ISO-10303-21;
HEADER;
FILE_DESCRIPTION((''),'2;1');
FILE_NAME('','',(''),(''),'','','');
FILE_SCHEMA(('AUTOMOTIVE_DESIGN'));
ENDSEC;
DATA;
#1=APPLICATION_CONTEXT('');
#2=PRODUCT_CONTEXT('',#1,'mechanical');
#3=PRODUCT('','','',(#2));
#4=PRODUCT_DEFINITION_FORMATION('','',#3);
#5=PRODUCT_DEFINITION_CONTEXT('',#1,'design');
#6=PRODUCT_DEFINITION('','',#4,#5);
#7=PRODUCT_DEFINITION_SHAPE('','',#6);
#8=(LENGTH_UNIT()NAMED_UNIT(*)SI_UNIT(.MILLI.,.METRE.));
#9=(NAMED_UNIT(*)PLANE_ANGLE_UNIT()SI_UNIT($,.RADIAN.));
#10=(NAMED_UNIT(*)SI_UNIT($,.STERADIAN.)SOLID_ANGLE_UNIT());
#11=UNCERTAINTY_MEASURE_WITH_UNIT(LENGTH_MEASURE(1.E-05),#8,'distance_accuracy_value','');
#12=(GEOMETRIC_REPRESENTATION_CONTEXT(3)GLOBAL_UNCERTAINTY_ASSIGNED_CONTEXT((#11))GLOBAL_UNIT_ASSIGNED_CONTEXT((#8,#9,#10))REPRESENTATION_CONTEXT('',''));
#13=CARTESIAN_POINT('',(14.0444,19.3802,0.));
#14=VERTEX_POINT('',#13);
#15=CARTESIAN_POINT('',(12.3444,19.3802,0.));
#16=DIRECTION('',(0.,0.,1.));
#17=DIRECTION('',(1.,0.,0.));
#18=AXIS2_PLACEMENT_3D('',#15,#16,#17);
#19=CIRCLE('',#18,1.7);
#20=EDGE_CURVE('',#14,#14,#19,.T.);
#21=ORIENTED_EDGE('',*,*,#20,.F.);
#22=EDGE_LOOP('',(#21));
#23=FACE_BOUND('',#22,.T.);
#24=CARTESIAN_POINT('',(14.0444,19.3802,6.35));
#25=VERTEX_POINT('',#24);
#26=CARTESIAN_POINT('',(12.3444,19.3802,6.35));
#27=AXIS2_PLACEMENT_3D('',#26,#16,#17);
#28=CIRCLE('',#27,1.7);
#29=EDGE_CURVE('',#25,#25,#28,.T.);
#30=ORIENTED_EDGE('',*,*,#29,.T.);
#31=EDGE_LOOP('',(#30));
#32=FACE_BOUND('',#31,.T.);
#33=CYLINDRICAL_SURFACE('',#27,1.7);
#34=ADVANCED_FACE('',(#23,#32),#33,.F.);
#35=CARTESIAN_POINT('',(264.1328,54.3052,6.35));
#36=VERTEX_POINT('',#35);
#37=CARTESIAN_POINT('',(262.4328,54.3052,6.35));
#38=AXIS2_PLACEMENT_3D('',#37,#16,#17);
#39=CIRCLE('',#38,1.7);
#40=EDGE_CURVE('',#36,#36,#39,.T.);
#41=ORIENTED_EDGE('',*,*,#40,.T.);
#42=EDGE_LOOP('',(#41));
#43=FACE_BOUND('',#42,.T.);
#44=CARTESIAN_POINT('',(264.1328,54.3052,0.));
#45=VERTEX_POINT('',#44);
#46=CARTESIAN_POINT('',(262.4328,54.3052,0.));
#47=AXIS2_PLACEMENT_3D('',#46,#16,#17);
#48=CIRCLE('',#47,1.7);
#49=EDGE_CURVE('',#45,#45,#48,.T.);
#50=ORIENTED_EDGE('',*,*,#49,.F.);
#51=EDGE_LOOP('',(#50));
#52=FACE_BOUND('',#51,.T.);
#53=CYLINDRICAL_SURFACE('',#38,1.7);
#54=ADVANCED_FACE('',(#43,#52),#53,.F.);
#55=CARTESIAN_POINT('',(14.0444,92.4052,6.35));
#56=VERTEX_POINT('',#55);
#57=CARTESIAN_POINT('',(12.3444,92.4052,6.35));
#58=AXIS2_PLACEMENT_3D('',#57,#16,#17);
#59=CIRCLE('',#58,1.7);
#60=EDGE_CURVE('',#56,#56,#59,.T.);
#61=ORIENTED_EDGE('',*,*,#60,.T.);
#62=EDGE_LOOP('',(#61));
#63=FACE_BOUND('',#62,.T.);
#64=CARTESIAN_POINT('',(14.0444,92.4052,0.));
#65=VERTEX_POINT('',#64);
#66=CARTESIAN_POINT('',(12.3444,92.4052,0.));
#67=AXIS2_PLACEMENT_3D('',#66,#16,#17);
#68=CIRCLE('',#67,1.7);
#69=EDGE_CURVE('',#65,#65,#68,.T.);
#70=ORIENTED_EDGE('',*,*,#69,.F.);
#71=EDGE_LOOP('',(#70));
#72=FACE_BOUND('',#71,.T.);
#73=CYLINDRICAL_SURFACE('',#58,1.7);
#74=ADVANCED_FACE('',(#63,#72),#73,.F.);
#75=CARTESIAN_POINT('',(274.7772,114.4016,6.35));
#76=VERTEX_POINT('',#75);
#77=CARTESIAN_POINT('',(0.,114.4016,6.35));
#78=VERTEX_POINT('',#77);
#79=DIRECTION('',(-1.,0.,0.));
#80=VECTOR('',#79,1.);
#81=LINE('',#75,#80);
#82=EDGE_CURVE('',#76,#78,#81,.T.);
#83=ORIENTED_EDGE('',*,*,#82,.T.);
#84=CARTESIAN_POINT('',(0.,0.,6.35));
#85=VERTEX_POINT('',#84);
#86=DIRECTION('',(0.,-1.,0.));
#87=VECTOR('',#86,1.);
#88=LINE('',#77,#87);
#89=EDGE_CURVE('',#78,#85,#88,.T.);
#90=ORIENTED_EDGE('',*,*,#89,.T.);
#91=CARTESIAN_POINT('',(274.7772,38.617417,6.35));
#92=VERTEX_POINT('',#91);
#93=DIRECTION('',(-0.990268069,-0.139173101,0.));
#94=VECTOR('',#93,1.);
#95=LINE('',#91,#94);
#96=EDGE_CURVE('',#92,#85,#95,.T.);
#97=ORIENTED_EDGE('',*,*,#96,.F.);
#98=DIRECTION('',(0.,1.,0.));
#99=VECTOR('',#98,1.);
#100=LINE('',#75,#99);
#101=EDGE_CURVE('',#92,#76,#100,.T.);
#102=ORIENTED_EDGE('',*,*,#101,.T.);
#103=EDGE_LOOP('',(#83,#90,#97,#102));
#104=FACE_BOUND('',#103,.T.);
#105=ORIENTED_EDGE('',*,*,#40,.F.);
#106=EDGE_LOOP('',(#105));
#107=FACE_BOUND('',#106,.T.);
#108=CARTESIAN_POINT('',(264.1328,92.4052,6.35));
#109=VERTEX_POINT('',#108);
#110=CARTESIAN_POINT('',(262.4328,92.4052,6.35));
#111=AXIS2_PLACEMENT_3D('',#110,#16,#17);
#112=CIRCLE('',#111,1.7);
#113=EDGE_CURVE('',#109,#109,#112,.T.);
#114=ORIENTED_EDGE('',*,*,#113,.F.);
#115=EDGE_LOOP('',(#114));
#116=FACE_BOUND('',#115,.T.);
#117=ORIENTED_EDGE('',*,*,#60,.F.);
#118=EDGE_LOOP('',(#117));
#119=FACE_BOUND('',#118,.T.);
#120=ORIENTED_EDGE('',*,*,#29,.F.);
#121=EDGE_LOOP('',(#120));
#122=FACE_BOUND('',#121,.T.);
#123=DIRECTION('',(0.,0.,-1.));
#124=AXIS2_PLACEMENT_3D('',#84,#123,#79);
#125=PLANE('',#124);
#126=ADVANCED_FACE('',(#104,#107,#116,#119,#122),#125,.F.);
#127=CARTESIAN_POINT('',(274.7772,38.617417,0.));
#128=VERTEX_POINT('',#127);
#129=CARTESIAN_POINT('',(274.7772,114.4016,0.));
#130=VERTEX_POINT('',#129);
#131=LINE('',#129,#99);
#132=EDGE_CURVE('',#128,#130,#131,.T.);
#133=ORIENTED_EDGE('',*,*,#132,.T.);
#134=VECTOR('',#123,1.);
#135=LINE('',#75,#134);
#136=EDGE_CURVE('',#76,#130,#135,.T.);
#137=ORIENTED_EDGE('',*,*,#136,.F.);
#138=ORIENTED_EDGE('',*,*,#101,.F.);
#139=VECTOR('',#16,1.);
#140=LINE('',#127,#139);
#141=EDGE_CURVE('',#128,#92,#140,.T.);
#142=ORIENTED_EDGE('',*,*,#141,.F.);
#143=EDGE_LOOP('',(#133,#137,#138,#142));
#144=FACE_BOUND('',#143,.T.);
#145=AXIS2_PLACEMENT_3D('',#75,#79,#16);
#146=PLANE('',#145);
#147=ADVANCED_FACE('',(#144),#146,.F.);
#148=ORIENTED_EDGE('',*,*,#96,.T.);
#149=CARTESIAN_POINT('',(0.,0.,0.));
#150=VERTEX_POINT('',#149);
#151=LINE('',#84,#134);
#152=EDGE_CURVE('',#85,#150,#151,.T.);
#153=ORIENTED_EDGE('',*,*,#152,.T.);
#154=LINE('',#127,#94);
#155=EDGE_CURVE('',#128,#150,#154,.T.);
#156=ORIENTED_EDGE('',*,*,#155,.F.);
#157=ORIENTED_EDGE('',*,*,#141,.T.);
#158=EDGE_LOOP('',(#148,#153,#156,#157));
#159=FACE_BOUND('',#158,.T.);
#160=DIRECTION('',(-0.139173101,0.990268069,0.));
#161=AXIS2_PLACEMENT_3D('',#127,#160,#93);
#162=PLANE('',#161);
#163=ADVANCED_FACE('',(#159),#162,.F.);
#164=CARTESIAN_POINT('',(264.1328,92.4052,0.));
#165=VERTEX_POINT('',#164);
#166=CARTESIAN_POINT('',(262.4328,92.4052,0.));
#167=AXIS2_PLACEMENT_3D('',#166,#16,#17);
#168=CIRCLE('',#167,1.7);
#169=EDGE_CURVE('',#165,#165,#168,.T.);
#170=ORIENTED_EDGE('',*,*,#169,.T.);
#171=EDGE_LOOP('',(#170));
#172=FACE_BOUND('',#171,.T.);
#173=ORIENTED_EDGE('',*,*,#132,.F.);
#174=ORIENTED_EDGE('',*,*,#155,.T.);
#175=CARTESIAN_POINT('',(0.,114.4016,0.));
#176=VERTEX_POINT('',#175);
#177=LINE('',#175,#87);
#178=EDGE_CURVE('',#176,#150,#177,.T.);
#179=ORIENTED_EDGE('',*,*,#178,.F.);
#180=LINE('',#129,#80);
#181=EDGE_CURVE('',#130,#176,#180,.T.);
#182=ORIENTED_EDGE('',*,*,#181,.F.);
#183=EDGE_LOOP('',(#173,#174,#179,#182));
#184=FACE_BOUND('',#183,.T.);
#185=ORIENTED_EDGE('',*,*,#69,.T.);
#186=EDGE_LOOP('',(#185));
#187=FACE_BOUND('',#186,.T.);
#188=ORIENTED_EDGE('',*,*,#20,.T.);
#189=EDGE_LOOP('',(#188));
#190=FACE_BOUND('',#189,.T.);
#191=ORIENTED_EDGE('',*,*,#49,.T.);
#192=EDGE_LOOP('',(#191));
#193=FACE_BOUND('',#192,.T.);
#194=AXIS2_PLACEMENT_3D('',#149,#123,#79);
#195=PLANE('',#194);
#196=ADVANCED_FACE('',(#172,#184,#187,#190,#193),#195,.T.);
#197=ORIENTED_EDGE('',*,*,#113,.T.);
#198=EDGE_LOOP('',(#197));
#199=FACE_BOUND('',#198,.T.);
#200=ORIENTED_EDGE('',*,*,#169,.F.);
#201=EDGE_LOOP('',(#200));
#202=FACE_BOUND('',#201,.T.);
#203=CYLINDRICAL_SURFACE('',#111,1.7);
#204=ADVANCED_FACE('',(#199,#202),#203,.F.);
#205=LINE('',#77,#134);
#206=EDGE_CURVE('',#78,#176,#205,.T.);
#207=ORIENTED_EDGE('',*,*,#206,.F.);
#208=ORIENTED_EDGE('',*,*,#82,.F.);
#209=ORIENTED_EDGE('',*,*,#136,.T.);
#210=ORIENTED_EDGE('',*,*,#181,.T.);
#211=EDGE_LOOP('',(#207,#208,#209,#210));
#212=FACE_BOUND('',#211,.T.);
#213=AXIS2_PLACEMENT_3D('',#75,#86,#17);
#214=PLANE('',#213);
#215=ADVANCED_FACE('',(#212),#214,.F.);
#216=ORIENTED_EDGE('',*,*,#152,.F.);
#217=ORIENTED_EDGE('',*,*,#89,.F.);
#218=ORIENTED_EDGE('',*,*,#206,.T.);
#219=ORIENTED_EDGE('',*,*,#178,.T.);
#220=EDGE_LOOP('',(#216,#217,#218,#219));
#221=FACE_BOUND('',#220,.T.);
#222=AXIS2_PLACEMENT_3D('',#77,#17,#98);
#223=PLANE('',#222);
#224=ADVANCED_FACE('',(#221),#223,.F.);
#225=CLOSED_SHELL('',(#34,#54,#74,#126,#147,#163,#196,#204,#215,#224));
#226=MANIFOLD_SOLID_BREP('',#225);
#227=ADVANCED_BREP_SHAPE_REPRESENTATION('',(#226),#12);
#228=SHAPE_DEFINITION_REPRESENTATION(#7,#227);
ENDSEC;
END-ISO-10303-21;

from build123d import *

# Parameters (mm, degrees)
SKETCH1_W            = 274.7772
SKETCH1_H            = 114.4016
BOSS_EXTRUDE1_DEPTH  = 6.35
M3_CLEARANCE_HOLE1_D = 3.4
CUT_EXTRUDE2_DEPTH   = 298.708848075


with BuildPart() as part:
    # Sketch1 → Boss-Extrude1 (new body)
    with BuildSketch(Plane.XY):
        with Locations((137.3886, 57.2008)):
            Rectangle(SKETCH1_W, SKETCH1_H)
    extrude(amount=BOSS_EXTRUDE1_DEPTH)

    # M3 Clearance Hole1 (through all)
    with Locations(Plane.XY.offset(6.35)):
        with Locations((12.3444, 92.4052), (12.3444, 19.3802), (262.4328, 54.3052), (262.4328, 92.4052)):
            Hole(M3_CLEARANCE_HOLE1_D / 2)

    # Sketch5 → Cut-Extrude2 (cut, through all)
    with BuildSketch(Plane.XY.offset(6.35)):
        Polygon((0, 0), (274.7772, 0), (274.7772, 38.617417045), align=None)
    extrude(amount=-CUT_EXTRUDE2_DEPTH, mode=Mode.SUBTRACT)


solid = part.part
